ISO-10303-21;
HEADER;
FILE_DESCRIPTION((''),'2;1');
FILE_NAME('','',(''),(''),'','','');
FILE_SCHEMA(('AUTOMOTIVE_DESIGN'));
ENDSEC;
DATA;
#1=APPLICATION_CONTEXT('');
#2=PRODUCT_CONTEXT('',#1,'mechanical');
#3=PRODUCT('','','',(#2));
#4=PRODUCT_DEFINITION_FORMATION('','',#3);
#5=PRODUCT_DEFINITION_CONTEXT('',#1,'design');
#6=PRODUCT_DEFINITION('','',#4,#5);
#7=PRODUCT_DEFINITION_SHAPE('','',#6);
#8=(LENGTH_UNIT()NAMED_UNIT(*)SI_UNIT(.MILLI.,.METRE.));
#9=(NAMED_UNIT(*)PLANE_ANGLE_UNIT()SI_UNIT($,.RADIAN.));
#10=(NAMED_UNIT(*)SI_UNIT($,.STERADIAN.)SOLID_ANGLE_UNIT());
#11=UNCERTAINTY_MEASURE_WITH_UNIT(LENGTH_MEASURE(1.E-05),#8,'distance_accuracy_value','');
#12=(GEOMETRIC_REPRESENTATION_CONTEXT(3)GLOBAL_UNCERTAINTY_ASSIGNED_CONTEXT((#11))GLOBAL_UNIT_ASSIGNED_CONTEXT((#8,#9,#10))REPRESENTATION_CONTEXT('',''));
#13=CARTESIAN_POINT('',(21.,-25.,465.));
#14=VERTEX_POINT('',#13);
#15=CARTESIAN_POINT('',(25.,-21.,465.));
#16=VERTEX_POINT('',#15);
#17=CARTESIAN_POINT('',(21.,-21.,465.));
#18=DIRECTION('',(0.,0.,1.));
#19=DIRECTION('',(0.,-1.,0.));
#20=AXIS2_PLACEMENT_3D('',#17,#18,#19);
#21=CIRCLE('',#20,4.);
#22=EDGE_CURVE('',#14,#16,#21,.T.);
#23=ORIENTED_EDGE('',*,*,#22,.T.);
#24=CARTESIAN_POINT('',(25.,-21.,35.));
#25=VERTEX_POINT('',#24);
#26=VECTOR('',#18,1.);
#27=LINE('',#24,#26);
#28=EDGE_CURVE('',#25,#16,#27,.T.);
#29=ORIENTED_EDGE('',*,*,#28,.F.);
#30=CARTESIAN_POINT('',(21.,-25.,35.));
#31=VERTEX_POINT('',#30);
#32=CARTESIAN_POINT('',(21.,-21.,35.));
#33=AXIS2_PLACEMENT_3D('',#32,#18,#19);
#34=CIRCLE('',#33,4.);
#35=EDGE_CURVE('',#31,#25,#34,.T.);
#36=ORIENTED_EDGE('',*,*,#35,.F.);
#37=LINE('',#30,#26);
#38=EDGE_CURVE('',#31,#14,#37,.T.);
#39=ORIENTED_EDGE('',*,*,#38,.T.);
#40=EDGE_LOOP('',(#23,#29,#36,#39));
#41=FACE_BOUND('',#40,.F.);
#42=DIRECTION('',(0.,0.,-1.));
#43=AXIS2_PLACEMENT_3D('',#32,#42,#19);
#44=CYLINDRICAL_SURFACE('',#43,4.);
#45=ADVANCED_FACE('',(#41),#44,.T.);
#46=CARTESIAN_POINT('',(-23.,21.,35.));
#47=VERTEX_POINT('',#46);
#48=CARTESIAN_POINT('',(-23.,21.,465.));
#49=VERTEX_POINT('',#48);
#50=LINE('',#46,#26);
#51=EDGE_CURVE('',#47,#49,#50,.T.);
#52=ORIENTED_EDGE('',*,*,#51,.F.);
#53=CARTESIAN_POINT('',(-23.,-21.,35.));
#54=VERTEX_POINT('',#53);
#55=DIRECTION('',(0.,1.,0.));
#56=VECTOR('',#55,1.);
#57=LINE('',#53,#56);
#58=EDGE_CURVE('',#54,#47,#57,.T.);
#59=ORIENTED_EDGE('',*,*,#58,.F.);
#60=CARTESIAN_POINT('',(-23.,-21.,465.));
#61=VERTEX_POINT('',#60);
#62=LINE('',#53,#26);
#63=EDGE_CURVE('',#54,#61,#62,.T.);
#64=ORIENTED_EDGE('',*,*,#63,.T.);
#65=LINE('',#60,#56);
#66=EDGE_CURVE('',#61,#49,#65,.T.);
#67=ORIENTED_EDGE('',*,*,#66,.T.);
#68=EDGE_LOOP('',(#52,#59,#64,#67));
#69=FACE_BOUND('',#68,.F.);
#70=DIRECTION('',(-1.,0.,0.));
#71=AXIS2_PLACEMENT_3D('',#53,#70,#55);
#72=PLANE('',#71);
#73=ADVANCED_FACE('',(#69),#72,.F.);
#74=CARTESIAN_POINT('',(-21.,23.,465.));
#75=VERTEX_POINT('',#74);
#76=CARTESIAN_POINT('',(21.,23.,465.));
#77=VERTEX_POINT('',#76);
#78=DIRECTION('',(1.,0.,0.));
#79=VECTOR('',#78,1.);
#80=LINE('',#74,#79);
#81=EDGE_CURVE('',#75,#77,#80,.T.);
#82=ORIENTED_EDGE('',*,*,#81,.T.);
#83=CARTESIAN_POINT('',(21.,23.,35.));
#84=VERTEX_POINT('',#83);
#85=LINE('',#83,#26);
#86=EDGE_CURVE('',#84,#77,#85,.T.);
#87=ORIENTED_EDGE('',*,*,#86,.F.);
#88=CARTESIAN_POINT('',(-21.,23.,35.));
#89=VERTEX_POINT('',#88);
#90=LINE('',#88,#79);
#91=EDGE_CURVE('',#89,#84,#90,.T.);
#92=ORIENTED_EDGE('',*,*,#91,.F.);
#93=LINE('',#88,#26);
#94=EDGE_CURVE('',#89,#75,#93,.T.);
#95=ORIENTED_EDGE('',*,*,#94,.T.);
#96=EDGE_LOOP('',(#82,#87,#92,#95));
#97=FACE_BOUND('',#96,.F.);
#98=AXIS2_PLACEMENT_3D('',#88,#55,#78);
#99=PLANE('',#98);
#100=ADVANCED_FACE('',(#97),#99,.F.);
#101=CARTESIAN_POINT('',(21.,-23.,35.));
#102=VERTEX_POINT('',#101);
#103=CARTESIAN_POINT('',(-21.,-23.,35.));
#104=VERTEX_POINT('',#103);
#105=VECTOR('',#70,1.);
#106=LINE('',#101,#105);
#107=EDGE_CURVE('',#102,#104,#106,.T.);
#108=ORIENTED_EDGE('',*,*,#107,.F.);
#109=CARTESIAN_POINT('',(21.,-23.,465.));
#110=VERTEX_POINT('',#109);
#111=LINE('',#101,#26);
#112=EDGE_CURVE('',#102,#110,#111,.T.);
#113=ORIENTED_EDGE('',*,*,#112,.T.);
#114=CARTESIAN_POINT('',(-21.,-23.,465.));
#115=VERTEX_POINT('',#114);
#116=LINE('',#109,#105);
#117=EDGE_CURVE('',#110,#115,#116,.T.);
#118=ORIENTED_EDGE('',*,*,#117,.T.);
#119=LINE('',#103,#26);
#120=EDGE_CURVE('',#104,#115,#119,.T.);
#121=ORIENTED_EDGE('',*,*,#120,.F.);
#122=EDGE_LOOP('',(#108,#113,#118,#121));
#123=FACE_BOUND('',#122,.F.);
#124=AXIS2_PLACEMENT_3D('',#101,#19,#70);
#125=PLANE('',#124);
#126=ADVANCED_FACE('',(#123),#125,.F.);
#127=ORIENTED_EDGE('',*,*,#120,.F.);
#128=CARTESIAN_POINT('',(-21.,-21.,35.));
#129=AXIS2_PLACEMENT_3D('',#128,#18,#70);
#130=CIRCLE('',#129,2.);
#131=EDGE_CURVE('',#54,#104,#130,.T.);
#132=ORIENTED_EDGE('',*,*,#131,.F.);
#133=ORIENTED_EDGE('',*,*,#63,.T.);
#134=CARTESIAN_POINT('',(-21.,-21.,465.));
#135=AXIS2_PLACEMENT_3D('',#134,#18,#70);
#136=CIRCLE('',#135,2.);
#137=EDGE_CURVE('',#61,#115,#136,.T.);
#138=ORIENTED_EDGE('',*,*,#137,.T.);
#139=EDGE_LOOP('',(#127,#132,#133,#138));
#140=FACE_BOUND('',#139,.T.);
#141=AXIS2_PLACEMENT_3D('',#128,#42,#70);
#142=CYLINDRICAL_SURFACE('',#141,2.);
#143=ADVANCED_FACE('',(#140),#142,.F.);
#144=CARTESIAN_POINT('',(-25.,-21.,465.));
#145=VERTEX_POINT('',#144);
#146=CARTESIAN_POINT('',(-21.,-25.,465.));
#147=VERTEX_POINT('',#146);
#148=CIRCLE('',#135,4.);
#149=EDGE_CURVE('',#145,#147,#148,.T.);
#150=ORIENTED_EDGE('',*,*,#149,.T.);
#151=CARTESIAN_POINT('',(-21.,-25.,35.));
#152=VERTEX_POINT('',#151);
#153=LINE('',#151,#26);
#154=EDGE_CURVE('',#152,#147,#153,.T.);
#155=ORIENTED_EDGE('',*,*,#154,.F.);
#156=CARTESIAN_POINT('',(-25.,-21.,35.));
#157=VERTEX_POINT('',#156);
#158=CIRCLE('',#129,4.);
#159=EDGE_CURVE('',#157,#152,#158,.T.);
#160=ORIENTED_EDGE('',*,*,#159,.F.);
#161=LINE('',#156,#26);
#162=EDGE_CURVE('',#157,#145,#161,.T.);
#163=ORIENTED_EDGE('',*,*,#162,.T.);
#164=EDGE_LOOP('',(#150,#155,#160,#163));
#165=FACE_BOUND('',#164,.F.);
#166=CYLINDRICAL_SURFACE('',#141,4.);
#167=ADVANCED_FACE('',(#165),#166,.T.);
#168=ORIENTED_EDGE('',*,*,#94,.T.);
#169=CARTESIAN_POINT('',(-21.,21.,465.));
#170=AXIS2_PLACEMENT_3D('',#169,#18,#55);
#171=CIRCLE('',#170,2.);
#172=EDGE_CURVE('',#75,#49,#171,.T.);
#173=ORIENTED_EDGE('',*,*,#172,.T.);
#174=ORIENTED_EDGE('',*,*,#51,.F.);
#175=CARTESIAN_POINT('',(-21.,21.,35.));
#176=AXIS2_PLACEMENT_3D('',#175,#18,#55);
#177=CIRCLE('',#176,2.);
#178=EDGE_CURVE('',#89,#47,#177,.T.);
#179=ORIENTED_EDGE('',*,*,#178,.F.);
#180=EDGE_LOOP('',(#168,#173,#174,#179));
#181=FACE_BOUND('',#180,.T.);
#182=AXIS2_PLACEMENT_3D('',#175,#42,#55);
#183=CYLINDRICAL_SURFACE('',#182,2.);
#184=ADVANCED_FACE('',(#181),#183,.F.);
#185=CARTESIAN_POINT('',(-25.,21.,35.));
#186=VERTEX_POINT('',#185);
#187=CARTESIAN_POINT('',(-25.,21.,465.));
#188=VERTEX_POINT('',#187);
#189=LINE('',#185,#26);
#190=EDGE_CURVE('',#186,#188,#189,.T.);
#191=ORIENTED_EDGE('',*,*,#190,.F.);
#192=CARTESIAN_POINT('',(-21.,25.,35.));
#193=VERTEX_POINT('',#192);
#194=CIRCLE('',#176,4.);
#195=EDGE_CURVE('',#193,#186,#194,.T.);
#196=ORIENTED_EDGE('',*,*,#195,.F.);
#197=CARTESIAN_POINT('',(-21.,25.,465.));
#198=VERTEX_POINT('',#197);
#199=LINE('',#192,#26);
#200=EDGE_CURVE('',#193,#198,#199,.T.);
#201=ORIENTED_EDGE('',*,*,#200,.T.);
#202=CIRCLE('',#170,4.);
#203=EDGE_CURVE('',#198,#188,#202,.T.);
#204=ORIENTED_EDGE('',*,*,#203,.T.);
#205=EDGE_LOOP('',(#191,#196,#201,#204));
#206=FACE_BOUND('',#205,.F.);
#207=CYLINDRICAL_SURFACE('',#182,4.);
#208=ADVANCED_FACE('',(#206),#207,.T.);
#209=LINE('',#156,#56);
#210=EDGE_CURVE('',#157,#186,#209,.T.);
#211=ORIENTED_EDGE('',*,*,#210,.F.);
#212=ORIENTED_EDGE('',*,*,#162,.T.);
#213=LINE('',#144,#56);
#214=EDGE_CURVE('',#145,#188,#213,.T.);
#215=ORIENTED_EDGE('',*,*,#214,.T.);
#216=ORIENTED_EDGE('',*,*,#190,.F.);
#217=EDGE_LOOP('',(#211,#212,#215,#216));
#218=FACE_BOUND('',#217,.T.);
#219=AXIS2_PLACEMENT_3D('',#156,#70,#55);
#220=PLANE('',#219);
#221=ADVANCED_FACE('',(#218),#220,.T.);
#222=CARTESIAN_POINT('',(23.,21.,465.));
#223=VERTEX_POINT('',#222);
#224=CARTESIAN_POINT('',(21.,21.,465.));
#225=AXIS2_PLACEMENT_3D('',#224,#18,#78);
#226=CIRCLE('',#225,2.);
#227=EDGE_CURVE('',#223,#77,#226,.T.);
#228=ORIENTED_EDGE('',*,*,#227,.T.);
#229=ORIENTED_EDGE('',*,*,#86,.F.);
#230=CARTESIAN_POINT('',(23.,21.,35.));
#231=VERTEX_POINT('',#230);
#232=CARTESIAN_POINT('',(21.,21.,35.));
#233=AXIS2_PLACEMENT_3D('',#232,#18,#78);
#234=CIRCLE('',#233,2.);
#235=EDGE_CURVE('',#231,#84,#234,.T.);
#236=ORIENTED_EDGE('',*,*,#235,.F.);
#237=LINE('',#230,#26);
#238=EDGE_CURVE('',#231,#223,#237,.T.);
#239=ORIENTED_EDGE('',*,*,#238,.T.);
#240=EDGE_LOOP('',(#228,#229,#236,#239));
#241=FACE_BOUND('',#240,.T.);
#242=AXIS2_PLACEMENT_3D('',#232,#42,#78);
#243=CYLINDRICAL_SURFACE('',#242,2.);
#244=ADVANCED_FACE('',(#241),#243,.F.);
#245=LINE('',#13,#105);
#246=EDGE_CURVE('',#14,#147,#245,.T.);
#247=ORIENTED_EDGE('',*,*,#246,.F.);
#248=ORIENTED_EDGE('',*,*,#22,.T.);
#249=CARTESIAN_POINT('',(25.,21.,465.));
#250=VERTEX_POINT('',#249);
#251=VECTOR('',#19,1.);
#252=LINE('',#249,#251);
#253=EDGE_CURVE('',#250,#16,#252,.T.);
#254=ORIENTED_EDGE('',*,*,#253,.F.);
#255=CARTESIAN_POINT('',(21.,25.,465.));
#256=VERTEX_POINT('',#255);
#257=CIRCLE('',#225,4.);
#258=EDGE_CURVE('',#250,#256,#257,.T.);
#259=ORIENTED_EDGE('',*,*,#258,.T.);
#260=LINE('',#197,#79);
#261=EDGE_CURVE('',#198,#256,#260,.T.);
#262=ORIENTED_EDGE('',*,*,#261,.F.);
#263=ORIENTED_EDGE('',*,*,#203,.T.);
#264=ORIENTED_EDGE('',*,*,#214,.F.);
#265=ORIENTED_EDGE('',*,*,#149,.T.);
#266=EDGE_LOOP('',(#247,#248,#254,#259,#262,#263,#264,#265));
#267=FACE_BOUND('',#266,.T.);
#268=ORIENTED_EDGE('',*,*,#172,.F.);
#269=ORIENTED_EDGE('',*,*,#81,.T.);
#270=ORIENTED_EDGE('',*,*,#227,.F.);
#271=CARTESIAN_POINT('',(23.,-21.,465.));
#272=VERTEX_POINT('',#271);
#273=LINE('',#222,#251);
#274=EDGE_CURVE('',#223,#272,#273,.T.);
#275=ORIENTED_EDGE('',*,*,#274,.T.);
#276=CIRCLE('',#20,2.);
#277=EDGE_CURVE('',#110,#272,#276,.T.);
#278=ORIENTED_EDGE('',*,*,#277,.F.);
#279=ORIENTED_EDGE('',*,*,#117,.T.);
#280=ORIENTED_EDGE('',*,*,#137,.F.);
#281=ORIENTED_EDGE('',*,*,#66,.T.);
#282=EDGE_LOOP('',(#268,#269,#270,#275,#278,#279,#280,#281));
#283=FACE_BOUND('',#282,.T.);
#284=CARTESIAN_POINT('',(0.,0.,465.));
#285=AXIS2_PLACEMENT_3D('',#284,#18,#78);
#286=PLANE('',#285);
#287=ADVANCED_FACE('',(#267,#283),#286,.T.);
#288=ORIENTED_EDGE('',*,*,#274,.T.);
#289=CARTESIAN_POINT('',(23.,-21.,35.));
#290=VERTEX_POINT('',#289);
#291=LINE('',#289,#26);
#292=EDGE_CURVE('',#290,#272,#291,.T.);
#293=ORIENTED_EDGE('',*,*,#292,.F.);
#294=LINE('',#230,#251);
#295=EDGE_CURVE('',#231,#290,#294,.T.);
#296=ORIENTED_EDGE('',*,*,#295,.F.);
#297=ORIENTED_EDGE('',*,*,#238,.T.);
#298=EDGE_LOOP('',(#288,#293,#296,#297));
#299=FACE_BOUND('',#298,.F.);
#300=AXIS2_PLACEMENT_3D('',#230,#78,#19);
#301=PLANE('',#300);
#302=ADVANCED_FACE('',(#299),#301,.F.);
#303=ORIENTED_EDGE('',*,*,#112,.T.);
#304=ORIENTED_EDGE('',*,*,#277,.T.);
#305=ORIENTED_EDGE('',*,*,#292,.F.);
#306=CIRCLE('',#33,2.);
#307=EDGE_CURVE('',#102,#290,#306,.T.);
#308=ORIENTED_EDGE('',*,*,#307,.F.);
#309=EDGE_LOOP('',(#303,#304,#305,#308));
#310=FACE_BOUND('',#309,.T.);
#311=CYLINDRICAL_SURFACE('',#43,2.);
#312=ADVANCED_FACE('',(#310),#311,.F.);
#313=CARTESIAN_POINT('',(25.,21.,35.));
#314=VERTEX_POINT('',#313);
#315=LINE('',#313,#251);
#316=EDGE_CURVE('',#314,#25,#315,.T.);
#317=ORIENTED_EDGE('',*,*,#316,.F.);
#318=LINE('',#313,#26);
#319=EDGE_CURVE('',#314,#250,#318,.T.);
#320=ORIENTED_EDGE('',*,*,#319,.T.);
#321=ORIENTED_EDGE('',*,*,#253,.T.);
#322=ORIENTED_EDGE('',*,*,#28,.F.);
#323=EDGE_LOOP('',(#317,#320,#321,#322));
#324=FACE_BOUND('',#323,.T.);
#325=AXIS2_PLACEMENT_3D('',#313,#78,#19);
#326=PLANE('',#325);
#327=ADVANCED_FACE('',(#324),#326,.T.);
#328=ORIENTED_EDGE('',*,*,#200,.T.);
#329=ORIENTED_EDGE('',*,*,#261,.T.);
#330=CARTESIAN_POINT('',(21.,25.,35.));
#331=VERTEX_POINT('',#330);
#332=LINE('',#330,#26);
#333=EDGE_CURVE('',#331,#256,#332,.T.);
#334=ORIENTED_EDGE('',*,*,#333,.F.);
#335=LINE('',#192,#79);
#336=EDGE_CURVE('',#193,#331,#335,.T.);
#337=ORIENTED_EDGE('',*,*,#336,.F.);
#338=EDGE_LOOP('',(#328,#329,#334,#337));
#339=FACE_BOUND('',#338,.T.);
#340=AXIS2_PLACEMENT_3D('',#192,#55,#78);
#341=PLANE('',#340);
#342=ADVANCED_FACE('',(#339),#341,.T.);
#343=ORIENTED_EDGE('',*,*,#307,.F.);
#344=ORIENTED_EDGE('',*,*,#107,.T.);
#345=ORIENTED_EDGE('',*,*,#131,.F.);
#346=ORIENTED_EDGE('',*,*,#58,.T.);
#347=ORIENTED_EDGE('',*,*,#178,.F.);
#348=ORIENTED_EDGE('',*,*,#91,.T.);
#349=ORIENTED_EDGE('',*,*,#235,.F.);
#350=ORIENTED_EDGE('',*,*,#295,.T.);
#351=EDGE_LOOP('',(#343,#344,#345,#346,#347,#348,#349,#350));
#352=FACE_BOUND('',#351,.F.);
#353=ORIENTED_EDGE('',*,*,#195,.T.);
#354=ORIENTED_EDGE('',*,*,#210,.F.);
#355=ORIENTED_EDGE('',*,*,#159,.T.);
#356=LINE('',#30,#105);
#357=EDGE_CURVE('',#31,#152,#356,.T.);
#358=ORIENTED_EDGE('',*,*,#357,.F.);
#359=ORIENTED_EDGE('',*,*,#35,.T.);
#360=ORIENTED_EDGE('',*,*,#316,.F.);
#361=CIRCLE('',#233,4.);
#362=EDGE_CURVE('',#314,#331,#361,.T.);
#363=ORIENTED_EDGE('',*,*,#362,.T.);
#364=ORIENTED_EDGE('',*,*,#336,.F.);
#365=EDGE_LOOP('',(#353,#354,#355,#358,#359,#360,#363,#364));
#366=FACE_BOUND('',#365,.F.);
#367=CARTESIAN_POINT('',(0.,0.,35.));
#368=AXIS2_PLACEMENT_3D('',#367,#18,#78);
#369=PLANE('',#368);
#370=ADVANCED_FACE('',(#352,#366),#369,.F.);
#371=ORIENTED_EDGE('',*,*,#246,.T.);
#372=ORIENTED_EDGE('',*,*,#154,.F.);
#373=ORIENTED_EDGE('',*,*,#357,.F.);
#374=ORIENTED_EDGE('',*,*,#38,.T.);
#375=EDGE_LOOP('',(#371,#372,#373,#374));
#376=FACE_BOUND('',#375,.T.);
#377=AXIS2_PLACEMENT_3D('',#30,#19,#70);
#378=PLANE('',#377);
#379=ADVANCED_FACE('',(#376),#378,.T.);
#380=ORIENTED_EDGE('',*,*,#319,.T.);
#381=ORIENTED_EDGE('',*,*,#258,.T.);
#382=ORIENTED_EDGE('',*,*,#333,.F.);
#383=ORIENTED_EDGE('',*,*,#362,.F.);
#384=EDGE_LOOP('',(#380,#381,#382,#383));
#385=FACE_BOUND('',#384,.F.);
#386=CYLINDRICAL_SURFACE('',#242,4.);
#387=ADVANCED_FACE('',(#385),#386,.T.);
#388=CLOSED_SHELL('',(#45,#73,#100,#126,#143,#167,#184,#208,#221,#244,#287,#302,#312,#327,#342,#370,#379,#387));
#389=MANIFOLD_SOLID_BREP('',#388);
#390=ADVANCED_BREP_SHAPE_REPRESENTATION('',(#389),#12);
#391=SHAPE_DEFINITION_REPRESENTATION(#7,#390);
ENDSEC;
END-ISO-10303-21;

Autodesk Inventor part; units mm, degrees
ref_plane "Plano inicial" through (0, 0, 35) normal (0, 0, 1) x (1, 0, 0)
ref_plane "Plano final" through (0, 0, 465) normal (0, 0, 1) x (1, 0, 0)
sketch "Boceto" plane through (0, 0, 0) normal (0, 0, 1) x (1, 0, 0)
  line L0 (-25, -21) -> (-25, 21)
  line L1 (-21, 25) -> (21, 25)
  line L2 (25, 21) -> (25, -21)
  line L3 (21, -25) -> (-21, -25)
  arc A0 (-25, -21) -> (-21, -25) centre (-21, -21) ccw
  arc A1 (25, 21) -> (21, 25) centre (21, 21) ccw
  arc A2 (-21, 25) -> (-25, 21) centre (-21, 21) ccw
  arc A3 (21, -25) -> (25, -21) centre (21, -21) ccw
  arc A4 (-21, 23) -> (-23, 21) centre (-21, 21) ccw
  line L4 (-21, 23) -> (21, 23)
  arc A5 (23, 21) -> (21, 23) centre (21, 21) ccw
  line L5 (23, 21) -> (23, -21)
  arc A6 (21, -23) -> (23, -21) centre (21, -21) ccw
  line L6 (21, -23) -> (-21, -23)
  arc A7 (-23, -21) -> (-21, -23) centre (-21, -21) ccw
  line L7 (-23, -21) -> (-23, 21)
  line L8 (0, 36.1598) -> (0, -36.1598) construction
  line L9 (-36.1598, 0) -> (36.1598, 0) construction
  dimension "d7" = 4
  dimension "d9" = 50
  dimension "d11" = 50
  dimension "d12" = 2
  dimension "d15" = 25
  dimension "d16" = 25
extrude "Cuerpo" add sketch "Boceto" along normal up to surface (430 mm away) from surface at 35
sketch "Sketch3" plane through (0, 0, 0) normal (0, 0, 1) x (1, 0, 0)
  line L0 (0, 0) -> (10, 0)
ref_plane "Work Plane3" through (0, 0, 0) normal (0, -1, 0) x (1, 0, 0)
sketch "Sketch4" plane through (0, 0, 0) normal (0, -1, 0) x (1, 0, 0)
  line L0 (-2, 35) -> (12, 35)
  line L1 (-2, 465) -> (12, 465)
  dimension "d18" = 430
ref_plane "Plano de trabajo4" through (1680, 29, 35) normal (0, 0, -1) x (-1, 0, 0)
split "Dividir1" plane through (1680, 29, 35) removes the side toward (0, 0, -1)
ref_plane "Plano de trabajo5" through (1680, -29, 465) normal (0, 0, 1) x (1, 0, 0)
split "Dividir2" plane through (1680, -29, 465) removes the side toward (0, 0, 1)
equation "\"d7\" = G_IR"
equation "\"d9\" = G_W"
equation "\"d11\" = G_H"
equation "\"d12\" = G_T"
equation "\"d15\" = 0.5 * d9"
equation "\"d16\" = 0.5 * d11"
equation "\"d3\" = G_L"
equation "\"G_W\" = 50"
equation "\"G_H\" = 50"
equation "\"G_T\" = 2"
equation "\"G_IR\" = 4"
equation "\"G_L\" = d18"
equation "\"G_OFFSET_START\" = -35"
equation "\"G_OFFSET_END\" = -35"
equation "\"d13\" = -G_OFFSET_START"
equation "\"d14\" = G_OFFSET_END + B_L"
equation "\"B_L\" = 500"
properties part number "ISO 10799-2 - 50x50x2 - 430" material "Galvanizado catalogo 1"
